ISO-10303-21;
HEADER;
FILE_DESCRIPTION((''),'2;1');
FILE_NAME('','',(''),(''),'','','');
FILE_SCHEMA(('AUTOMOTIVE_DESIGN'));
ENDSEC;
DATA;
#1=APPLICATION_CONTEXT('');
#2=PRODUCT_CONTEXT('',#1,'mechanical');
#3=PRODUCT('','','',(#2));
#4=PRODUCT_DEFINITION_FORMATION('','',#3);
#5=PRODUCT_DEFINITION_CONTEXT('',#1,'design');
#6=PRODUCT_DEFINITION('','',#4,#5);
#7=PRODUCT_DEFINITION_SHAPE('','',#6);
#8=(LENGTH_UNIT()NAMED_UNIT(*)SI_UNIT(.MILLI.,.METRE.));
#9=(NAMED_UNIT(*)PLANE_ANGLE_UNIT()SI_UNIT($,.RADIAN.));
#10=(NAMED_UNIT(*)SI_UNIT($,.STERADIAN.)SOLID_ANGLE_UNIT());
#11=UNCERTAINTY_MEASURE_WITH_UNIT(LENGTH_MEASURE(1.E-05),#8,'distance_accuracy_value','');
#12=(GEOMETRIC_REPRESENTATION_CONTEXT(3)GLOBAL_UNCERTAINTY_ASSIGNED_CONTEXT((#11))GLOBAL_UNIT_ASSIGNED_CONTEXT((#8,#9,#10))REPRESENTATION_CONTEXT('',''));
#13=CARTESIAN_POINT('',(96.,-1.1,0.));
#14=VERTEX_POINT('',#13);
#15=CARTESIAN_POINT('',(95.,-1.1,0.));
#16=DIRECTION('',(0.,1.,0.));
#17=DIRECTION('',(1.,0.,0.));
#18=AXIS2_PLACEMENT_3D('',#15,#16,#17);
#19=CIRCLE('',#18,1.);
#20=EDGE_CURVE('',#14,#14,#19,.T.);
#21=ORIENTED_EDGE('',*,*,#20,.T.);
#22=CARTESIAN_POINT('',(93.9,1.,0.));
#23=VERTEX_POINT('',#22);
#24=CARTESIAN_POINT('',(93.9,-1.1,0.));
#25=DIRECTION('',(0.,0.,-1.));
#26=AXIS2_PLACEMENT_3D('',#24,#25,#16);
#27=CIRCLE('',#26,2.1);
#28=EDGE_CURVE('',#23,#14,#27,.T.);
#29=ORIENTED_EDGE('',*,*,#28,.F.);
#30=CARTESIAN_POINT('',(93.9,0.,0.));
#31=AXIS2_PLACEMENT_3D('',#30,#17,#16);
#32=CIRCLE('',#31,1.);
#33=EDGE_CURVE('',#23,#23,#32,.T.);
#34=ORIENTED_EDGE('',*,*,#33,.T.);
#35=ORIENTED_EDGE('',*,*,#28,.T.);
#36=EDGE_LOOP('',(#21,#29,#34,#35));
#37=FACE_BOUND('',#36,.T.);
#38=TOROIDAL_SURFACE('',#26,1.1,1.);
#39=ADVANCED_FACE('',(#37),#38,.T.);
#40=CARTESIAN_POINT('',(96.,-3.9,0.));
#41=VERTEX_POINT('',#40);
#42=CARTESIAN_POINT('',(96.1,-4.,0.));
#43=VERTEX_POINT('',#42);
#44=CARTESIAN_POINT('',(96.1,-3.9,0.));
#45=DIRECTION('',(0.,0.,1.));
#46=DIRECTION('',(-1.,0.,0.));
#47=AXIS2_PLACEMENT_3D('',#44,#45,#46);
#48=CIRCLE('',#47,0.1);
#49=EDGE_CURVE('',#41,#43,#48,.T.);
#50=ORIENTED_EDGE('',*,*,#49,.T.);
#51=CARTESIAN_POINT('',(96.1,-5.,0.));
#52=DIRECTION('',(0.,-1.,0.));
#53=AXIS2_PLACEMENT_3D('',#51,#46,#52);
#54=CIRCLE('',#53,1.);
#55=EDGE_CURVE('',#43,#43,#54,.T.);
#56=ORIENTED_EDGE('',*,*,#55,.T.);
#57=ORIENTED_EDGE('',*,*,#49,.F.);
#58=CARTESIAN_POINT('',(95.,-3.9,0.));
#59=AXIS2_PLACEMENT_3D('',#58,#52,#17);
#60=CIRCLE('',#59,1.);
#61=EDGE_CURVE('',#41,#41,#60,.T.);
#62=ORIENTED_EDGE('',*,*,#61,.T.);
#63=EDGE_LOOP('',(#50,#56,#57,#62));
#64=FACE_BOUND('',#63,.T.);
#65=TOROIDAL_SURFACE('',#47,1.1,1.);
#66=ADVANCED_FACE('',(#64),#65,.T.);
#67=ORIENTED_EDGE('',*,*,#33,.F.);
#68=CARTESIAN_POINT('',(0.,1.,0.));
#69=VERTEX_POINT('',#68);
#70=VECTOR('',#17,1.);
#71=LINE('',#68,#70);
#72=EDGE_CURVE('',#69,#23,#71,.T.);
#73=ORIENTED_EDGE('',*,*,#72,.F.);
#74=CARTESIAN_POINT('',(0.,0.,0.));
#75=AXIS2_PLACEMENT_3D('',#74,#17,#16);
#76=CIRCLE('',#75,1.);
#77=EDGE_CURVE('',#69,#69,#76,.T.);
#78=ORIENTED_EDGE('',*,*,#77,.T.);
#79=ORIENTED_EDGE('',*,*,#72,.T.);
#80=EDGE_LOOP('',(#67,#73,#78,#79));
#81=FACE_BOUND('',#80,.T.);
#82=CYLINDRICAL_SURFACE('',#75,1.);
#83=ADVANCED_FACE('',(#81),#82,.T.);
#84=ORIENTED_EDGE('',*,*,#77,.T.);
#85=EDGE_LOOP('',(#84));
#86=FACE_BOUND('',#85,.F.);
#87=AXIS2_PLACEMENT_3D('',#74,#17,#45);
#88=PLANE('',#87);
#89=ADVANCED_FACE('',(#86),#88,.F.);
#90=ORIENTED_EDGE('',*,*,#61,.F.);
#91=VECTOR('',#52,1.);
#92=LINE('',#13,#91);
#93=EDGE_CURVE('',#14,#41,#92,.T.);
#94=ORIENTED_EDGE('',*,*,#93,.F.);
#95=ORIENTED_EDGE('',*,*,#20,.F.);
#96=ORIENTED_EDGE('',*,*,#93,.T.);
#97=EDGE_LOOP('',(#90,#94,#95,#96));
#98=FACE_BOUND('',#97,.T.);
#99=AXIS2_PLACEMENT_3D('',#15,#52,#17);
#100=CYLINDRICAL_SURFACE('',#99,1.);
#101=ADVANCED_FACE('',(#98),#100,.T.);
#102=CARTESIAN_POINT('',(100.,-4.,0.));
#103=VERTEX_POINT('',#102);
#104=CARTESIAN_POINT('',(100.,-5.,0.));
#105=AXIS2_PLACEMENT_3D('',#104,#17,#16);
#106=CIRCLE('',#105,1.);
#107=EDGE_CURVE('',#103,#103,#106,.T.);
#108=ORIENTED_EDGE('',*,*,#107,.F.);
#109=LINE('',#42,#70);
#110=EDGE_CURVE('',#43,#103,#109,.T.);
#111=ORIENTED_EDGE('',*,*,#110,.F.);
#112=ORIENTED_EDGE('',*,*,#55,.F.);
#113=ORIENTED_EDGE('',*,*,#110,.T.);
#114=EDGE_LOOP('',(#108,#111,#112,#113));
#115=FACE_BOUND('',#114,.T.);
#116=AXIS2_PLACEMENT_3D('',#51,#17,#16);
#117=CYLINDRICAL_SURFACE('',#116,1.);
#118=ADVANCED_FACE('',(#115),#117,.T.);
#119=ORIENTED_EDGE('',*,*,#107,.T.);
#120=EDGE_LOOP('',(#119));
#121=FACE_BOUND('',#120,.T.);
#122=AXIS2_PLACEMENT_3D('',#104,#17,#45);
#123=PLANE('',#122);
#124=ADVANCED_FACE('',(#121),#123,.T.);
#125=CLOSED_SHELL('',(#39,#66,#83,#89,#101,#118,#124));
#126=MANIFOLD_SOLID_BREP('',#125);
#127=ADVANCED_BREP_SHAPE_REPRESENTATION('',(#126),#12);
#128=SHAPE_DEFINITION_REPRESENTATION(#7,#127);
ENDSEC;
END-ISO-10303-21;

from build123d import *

# Parameters (mm, degrees)
F1_R = 1


with BuildPart() as f2:
    # F2: sweep along a path in F0
    with BuildLine(Plane.XY) as f2_path:
        Line((0, 0), (93.9, 0))
        ThreePointArc((93.9, 0), (94.6778174593, -0.3221825407), (95, -1.1))
        Line((95, -1.1), (95, -3.9))
        ThreePointArc((95, -3.9), (95.3221825407, -4.6778174593), (96.1, -5))
        Line((96.1, -5), (100, -5))
    # F1 (on Right) → F2 (sweep)
    with BuildSketch(Plane.YZ):
        Circle(F1_R)
    sweep(path=f2_path.line)


solid = f2.part
